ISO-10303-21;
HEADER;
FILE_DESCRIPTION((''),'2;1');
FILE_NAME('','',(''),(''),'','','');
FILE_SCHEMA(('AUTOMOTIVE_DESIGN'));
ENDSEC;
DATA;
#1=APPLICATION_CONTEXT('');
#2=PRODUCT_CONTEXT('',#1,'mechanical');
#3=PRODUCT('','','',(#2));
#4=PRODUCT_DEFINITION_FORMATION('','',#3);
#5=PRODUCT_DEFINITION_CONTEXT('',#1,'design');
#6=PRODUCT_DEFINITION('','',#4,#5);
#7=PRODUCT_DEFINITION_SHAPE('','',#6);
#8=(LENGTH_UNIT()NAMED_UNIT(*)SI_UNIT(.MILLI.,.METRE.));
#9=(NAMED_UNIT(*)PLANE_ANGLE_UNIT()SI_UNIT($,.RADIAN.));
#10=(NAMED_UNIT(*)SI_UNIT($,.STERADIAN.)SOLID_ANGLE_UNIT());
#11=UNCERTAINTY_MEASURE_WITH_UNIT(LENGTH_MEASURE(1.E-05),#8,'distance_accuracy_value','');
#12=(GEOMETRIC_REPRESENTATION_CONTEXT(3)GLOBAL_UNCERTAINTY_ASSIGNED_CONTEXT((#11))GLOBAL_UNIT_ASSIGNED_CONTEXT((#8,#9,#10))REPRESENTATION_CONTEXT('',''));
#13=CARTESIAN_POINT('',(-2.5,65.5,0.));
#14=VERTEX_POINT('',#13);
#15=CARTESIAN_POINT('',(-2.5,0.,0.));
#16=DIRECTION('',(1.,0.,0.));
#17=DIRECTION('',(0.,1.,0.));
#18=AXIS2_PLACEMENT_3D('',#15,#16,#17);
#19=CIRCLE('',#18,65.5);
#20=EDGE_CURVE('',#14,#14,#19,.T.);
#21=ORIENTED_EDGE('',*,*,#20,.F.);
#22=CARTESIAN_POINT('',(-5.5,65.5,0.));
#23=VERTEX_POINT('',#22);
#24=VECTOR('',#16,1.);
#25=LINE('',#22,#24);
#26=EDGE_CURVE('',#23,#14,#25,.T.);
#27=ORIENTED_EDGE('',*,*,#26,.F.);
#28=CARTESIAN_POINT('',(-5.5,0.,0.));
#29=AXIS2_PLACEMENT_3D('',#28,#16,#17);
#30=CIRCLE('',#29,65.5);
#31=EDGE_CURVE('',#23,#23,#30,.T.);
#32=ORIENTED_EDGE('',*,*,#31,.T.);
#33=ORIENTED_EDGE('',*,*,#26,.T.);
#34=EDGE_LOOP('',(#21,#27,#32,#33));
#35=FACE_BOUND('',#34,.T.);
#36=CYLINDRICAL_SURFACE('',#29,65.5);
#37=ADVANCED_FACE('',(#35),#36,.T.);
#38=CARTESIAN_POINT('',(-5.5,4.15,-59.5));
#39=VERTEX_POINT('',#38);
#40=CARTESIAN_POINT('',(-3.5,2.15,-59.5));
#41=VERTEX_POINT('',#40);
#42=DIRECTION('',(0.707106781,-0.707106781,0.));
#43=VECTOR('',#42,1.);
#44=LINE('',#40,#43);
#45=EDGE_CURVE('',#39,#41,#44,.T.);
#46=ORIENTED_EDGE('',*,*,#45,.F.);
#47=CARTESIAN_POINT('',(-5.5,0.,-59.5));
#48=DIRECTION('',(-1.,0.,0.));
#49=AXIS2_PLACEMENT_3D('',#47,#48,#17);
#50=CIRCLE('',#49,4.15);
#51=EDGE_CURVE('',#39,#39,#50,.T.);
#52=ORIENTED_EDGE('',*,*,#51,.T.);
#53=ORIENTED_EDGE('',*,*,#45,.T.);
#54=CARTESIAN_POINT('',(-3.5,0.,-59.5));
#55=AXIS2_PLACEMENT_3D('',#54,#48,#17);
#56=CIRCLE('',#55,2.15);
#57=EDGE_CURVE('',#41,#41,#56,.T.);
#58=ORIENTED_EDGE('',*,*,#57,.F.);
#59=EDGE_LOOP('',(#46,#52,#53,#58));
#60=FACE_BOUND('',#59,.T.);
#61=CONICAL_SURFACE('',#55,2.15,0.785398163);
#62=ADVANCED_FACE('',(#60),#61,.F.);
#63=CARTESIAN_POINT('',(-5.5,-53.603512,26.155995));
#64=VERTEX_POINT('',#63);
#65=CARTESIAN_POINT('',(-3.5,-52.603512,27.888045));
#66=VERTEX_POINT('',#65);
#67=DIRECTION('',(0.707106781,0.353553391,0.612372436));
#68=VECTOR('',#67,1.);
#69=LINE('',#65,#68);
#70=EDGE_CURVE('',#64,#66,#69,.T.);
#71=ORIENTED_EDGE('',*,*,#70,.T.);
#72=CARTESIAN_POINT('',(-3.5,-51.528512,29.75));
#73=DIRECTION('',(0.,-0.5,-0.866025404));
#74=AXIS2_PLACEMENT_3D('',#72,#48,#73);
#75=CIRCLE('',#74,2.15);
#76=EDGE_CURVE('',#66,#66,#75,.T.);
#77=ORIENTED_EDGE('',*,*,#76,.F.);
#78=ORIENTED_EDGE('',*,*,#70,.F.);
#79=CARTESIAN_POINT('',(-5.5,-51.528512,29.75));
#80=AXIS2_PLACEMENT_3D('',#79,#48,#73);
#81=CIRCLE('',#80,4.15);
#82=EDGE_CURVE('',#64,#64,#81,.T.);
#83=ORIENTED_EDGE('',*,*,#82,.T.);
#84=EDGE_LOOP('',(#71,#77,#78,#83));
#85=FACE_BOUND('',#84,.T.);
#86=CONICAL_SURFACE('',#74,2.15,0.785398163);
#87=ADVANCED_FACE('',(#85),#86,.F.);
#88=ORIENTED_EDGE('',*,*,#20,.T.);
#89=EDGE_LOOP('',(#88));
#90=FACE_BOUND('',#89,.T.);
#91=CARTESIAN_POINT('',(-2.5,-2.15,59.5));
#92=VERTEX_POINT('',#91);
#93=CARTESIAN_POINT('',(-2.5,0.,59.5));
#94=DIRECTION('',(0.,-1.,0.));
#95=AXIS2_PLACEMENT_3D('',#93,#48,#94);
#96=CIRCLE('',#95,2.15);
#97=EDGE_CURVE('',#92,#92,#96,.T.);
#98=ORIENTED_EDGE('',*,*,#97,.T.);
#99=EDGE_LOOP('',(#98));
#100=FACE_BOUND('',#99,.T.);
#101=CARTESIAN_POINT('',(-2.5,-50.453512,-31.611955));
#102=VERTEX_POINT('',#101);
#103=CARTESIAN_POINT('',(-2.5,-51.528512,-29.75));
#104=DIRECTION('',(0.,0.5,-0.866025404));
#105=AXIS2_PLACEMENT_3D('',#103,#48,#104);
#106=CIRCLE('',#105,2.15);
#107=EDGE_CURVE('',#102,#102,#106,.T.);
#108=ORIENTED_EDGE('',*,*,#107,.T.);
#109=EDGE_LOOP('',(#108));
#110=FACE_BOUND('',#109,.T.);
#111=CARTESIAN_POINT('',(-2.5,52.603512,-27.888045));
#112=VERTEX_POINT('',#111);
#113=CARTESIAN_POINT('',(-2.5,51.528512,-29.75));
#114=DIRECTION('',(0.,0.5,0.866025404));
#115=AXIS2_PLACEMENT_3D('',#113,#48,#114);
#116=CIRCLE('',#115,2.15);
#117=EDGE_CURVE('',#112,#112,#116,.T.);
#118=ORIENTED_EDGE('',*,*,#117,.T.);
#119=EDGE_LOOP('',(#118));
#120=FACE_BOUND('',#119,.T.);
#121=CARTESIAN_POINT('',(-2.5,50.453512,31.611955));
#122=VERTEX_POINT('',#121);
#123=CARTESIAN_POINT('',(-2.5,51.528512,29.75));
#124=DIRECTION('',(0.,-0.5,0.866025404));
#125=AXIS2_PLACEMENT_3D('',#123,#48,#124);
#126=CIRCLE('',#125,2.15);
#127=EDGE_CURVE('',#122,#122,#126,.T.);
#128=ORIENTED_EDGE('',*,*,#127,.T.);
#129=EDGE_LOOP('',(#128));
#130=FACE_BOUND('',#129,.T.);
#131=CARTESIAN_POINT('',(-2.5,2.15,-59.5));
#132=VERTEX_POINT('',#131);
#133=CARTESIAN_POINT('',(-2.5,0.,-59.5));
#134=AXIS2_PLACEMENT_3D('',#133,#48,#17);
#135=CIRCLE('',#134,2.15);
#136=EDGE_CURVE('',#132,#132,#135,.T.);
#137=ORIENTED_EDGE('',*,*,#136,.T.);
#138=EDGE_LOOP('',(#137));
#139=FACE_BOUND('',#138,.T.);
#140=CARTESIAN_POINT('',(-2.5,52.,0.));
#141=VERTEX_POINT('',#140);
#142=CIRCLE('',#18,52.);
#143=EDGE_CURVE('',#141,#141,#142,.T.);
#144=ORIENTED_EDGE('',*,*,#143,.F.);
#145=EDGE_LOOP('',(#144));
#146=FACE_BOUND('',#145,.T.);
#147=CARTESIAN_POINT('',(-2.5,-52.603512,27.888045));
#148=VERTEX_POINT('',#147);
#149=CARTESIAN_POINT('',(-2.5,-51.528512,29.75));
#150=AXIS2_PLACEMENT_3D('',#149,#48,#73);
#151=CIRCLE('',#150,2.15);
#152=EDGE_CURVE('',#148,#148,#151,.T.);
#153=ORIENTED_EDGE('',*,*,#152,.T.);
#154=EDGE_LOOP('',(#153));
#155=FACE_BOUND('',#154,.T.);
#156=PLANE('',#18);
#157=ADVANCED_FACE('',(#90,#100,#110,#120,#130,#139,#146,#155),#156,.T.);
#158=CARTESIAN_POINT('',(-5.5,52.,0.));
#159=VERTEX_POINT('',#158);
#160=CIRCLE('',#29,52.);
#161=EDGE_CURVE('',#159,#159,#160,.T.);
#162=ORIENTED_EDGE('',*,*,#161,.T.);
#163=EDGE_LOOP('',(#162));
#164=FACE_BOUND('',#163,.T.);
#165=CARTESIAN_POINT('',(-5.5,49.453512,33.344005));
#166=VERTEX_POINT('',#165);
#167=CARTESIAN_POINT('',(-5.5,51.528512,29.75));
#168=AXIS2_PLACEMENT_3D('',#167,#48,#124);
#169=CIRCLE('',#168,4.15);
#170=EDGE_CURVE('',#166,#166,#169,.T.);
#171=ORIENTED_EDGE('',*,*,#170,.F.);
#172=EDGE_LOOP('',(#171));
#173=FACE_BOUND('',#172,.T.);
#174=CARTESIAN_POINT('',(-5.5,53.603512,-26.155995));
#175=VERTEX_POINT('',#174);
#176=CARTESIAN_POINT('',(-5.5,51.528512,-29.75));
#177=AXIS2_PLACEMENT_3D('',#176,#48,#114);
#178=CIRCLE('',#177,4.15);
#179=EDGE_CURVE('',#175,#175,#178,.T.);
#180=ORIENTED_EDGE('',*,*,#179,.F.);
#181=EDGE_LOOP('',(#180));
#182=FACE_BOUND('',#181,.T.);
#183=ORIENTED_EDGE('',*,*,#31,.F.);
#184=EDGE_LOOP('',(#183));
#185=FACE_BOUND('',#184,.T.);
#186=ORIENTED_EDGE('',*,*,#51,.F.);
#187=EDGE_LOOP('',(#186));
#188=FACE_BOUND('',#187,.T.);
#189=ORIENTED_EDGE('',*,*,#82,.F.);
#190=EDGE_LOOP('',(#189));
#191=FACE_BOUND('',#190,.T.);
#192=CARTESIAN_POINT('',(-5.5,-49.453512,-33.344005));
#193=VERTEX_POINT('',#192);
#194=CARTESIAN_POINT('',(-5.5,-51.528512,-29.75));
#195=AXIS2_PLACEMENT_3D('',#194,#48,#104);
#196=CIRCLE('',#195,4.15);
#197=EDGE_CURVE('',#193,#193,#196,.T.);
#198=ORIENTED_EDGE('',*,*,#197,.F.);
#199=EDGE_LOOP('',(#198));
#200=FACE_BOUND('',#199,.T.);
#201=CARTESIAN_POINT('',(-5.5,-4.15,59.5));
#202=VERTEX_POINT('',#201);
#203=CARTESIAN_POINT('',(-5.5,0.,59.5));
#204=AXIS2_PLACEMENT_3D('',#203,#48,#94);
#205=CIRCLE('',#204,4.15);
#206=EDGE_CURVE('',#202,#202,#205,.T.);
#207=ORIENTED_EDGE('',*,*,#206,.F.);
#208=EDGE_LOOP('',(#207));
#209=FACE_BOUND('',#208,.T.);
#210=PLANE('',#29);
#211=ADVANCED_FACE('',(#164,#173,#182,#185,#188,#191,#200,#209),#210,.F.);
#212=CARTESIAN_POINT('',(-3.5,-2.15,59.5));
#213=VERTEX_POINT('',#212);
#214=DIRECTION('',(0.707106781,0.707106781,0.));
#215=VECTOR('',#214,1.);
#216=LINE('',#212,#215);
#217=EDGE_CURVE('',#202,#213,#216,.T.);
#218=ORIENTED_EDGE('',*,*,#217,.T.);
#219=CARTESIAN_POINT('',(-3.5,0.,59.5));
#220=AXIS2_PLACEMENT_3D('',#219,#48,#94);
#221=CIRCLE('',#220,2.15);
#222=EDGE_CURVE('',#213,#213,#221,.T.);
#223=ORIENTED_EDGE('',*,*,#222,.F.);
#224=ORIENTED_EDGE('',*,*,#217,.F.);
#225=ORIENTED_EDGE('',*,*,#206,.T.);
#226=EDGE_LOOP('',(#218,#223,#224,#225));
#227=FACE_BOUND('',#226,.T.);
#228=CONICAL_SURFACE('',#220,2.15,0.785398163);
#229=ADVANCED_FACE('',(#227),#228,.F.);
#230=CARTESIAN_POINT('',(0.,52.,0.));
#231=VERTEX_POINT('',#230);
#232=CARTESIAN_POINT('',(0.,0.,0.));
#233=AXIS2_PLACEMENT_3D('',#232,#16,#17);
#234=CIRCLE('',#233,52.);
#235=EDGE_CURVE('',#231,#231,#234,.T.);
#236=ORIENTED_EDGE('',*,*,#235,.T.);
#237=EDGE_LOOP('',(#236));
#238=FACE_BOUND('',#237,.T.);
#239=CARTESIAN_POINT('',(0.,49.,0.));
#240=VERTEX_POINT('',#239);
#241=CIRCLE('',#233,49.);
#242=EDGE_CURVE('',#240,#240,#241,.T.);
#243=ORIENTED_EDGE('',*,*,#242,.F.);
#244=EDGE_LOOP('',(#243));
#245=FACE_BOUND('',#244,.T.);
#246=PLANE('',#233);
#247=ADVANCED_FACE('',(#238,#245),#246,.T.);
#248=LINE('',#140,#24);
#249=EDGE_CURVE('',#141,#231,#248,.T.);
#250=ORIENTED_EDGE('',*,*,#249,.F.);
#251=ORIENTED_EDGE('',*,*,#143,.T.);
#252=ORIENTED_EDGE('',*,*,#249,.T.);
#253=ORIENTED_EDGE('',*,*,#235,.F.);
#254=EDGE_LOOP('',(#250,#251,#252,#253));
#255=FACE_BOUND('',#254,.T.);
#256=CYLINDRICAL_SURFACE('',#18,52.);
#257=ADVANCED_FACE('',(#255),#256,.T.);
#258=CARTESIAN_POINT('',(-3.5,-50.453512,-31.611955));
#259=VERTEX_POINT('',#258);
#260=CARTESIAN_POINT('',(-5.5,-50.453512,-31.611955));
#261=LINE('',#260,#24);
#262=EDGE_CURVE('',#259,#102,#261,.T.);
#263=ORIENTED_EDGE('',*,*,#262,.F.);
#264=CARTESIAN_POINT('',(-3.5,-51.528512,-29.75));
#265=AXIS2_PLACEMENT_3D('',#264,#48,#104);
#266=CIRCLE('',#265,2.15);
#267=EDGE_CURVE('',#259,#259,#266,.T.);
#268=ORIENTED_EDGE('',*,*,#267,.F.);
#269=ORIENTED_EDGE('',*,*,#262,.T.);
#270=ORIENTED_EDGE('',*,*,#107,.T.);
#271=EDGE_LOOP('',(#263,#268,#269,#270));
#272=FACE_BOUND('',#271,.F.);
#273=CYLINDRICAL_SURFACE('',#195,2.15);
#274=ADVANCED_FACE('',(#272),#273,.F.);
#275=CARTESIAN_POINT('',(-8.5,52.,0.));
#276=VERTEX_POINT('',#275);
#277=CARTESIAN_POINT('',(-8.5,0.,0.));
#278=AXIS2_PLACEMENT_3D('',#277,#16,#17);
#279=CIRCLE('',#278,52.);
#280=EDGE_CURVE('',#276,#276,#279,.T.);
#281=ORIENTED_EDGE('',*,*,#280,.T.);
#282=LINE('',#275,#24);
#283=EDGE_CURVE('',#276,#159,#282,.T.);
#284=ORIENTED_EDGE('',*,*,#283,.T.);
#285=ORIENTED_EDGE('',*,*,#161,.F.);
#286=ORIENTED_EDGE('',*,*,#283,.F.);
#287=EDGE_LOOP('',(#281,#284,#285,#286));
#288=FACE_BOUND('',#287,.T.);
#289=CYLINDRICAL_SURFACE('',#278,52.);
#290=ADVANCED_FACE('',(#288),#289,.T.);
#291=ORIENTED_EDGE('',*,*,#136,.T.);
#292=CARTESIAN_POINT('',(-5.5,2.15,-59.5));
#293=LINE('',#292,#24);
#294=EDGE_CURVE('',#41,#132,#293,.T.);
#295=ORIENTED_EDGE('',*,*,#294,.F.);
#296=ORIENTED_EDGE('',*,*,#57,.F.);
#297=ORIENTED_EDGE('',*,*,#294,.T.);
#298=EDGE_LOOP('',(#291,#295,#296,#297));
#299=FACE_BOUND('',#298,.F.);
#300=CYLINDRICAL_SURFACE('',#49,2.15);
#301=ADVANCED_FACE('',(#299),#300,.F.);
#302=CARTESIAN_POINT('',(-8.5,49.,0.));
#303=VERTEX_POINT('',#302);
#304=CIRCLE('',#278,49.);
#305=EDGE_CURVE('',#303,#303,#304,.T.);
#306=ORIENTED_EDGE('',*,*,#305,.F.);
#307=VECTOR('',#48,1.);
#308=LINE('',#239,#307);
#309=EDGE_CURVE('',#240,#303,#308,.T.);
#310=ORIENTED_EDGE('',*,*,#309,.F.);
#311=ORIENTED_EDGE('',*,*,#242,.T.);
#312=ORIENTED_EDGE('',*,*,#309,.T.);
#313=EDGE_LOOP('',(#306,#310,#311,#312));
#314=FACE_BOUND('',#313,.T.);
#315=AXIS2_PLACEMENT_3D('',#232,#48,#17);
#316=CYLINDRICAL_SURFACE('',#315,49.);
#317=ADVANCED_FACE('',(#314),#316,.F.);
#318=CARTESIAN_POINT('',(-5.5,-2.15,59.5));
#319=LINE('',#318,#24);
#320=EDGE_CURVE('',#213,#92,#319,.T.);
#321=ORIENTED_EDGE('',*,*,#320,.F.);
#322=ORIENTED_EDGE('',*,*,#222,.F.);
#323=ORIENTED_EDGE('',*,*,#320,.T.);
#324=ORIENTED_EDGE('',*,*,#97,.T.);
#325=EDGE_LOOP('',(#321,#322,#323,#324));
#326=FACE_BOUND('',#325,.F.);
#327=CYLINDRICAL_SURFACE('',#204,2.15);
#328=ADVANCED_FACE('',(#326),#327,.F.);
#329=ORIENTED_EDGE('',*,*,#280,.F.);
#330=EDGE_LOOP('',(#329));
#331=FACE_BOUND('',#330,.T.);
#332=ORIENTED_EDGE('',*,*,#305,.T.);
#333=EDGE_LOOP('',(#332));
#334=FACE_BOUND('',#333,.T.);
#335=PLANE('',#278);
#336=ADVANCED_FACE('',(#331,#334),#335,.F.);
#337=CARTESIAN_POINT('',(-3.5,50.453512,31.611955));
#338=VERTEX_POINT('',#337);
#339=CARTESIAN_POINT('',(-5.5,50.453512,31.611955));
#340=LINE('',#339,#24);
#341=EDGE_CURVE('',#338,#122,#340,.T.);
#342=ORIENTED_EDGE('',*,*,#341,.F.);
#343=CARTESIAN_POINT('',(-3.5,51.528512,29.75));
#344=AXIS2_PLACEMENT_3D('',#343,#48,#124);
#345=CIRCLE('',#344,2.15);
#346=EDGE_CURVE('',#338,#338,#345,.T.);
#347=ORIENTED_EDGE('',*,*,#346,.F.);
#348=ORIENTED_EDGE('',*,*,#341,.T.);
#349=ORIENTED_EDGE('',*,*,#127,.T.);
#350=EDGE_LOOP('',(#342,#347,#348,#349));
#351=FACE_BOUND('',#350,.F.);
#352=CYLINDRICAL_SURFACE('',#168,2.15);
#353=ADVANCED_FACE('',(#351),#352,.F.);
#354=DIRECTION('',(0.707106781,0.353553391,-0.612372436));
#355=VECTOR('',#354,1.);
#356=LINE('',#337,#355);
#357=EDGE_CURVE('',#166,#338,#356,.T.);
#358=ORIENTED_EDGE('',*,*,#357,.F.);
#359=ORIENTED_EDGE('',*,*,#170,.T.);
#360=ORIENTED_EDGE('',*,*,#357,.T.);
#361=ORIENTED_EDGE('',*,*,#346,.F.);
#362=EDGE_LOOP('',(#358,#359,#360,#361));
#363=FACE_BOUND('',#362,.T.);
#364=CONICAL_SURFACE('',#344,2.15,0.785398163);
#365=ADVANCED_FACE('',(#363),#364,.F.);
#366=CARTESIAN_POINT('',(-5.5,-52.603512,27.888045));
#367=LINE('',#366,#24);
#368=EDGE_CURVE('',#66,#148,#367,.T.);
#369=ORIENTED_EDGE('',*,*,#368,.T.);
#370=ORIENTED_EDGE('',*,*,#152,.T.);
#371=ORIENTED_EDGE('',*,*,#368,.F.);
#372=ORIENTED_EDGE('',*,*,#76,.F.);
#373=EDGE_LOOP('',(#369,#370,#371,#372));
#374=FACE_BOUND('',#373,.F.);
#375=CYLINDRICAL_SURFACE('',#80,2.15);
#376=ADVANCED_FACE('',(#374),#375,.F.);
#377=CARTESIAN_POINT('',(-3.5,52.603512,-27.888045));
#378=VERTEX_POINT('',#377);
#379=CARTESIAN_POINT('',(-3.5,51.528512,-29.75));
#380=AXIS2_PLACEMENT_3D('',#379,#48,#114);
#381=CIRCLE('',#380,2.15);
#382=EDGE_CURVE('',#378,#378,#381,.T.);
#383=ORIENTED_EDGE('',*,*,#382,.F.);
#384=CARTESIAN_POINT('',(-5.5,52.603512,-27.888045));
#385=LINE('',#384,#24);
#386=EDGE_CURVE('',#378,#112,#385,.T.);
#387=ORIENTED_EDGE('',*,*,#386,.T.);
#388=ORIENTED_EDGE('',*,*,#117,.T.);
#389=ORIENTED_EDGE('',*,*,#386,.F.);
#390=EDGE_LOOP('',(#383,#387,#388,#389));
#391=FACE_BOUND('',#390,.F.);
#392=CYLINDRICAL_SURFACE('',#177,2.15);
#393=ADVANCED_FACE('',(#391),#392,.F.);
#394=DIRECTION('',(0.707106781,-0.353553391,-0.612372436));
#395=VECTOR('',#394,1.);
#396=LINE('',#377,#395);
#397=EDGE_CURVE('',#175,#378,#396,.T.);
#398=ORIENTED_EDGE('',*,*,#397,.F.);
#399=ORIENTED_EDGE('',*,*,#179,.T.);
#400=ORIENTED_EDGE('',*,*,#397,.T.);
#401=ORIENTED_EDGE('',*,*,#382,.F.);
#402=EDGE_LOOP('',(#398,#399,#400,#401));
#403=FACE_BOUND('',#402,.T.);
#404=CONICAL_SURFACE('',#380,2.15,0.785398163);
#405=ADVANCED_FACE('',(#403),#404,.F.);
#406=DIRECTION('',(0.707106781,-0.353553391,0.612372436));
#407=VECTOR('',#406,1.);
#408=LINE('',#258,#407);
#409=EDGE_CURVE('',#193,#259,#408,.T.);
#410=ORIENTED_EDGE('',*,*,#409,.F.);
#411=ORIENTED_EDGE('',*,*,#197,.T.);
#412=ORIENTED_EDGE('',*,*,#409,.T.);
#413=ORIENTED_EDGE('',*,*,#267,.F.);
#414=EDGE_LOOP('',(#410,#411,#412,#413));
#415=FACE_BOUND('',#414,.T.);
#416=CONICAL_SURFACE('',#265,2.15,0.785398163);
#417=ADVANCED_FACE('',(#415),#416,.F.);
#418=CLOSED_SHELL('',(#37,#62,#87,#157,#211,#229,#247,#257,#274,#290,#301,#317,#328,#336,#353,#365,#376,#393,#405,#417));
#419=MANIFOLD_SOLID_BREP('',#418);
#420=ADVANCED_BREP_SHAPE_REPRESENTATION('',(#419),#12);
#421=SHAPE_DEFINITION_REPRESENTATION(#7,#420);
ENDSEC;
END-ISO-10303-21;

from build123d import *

# Parameters (mm, degrees)
SKETCH001_R        = 2.15
POCKET_DEPTH       = 5
POLARPATTERN_COUNT = 6
CHAMFER_SIZE       = 2


with BuildPart() as part:
    # Sketch → Revolution (revolve)
    with BuildSketch(Plane.XY):
        Polygon((-8.5, 52), (-5.5, 52), (-5.5, 65.5), (-2.5, 65.5), (-2.5, 52), (0, 52), (0, 49), (-8.5, 49), align=None)
    revolve(axis=Axis((0, 0, 0), (1, 0, 0)))

    # Sketch001 → Pocket (cut)
    with BuildSketch(Plane(origin=(-5.5, 0, 0), x_dir=(0, -1, 0), z_dir=(-1, 0, 0))):
        with Locations((0, 59.5)):
            Circle(SKETCH001_R)
    pocket = extrude(amount=-POCKET_DEPTH, mode=Mode.SUBTRACT)

    # PolarPattern: Pocket ×6 about axis
    polarpattern_axis = Axis((-5.5, 0, 0), (-1, 0, 0))
    for i in range(1, POLARPATTERN_COUNT):
        add(pocket.rotate(polarpattern_axis, i * 360 / POLARPATTERN_COUNT), mode=Mode.SUBTRACT)

    # Chamfer
    chamfer_edges = [part.edges().sort_by_distance(p)[0] for p in [
        (-5.5, 2.15, 59.5),
        (-5.5, 52.603512, 27.888045),
        (-5.5, 50.453512, -31.611955),
        (-5.5, -2.15, -59.5),
        (-5.5, -52.603512, -27.888045),
        (-5.5, -50.453512, 31.611955),
    ]]
    chamfer(chamfer_edges, length=CHAMFER_SIZE)


solid = part.part
